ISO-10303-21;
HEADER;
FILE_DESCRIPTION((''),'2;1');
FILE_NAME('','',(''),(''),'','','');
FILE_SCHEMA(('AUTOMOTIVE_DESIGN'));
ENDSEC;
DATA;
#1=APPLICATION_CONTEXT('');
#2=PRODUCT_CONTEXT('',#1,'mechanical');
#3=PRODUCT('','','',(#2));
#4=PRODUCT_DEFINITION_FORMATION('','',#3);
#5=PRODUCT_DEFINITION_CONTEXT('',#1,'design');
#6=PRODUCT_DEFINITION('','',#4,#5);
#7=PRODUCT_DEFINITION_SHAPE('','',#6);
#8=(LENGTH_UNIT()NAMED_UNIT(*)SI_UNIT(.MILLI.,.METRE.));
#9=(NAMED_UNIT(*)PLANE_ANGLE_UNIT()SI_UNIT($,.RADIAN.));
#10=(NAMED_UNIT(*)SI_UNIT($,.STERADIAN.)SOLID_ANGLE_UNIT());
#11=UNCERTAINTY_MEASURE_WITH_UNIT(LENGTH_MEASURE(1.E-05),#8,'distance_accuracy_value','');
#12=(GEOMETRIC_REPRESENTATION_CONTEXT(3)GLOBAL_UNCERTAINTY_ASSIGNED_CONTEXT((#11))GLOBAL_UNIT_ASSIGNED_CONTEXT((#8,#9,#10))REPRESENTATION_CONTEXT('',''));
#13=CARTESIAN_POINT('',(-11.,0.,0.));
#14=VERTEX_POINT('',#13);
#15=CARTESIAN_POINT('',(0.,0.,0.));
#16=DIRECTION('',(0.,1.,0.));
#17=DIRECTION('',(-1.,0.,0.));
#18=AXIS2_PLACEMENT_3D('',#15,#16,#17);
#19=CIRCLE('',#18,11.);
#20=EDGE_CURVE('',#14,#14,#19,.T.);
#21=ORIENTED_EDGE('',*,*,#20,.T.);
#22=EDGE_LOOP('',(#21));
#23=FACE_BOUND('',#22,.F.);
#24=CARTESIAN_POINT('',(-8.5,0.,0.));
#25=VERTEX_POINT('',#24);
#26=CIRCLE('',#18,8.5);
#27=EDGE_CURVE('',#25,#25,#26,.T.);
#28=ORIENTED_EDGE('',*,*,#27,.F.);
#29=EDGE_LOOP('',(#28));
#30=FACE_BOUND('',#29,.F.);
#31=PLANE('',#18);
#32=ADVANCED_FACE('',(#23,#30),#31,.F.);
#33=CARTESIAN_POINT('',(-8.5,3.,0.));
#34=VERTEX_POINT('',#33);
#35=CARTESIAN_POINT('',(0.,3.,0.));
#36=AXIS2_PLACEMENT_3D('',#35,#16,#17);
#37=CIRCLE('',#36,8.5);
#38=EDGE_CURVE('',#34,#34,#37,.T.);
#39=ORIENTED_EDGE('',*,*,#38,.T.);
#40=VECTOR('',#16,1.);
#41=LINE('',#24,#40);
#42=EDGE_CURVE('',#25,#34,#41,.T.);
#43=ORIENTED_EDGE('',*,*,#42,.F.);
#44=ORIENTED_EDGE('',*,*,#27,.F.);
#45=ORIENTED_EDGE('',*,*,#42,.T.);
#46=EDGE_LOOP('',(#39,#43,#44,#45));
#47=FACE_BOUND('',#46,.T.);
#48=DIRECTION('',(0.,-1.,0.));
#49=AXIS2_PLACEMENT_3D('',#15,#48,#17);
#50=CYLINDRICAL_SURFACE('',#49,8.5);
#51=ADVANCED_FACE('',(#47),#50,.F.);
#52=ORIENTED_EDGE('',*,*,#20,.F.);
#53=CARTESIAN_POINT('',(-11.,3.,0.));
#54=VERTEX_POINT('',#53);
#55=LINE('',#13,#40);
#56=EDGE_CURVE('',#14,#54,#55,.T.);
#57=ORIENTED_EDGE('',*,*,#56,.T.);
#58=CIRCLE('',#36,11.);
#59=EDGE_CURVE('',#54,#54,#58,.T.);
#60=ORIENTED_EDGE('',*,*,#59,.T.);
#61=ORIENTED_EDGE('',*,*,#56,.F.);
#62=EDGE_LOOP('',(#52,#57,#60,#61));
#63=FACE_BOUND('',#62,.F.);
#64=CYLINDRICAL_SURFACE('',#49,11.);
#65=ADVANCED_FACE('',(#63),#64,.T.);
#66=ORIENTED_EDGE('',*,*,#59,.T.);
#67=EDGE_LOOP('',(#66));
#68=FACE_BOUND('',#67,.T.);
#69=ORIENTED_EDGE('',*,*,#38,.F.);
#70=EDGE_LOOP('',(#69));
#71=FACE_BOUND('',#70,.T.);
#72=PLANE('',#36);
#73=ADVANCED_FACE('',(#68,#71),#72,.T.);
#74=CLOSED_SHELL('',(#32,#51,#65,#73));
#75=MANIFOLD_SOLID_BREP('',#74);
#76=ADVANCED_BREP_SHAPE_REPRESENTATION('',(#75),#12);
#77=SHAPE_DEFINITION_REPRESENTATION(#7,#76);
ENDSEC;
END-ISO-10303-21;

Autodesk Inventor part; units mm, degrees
ref_plane "YZ Plane" through (0, 0, 0) normal (1, 0, 0) x (0, 1, 0)
ref_plane "XZ Plane" through (0, 0, 0) normal (0, 1, 0) x (-1, 0, 0)
ref_plane "XY Plane" through (0, 0, 0) normal (0, 0, 1) x (1, 0, 0)
sketch "Sketch1" plane through (0, 0, 0) normal (0, 1, 0) x (-1, 0, 0)
  circle A0 centre (0, 0) radius 11
  circle A1 centre (0, 0) radius 8.5
  dimension "d0" = 22
  dimension "d1" = 17
extrude "Extrusion1" add sketch "Sketch1" along normal blind 3
properties part number "Anillo rodamiento"
